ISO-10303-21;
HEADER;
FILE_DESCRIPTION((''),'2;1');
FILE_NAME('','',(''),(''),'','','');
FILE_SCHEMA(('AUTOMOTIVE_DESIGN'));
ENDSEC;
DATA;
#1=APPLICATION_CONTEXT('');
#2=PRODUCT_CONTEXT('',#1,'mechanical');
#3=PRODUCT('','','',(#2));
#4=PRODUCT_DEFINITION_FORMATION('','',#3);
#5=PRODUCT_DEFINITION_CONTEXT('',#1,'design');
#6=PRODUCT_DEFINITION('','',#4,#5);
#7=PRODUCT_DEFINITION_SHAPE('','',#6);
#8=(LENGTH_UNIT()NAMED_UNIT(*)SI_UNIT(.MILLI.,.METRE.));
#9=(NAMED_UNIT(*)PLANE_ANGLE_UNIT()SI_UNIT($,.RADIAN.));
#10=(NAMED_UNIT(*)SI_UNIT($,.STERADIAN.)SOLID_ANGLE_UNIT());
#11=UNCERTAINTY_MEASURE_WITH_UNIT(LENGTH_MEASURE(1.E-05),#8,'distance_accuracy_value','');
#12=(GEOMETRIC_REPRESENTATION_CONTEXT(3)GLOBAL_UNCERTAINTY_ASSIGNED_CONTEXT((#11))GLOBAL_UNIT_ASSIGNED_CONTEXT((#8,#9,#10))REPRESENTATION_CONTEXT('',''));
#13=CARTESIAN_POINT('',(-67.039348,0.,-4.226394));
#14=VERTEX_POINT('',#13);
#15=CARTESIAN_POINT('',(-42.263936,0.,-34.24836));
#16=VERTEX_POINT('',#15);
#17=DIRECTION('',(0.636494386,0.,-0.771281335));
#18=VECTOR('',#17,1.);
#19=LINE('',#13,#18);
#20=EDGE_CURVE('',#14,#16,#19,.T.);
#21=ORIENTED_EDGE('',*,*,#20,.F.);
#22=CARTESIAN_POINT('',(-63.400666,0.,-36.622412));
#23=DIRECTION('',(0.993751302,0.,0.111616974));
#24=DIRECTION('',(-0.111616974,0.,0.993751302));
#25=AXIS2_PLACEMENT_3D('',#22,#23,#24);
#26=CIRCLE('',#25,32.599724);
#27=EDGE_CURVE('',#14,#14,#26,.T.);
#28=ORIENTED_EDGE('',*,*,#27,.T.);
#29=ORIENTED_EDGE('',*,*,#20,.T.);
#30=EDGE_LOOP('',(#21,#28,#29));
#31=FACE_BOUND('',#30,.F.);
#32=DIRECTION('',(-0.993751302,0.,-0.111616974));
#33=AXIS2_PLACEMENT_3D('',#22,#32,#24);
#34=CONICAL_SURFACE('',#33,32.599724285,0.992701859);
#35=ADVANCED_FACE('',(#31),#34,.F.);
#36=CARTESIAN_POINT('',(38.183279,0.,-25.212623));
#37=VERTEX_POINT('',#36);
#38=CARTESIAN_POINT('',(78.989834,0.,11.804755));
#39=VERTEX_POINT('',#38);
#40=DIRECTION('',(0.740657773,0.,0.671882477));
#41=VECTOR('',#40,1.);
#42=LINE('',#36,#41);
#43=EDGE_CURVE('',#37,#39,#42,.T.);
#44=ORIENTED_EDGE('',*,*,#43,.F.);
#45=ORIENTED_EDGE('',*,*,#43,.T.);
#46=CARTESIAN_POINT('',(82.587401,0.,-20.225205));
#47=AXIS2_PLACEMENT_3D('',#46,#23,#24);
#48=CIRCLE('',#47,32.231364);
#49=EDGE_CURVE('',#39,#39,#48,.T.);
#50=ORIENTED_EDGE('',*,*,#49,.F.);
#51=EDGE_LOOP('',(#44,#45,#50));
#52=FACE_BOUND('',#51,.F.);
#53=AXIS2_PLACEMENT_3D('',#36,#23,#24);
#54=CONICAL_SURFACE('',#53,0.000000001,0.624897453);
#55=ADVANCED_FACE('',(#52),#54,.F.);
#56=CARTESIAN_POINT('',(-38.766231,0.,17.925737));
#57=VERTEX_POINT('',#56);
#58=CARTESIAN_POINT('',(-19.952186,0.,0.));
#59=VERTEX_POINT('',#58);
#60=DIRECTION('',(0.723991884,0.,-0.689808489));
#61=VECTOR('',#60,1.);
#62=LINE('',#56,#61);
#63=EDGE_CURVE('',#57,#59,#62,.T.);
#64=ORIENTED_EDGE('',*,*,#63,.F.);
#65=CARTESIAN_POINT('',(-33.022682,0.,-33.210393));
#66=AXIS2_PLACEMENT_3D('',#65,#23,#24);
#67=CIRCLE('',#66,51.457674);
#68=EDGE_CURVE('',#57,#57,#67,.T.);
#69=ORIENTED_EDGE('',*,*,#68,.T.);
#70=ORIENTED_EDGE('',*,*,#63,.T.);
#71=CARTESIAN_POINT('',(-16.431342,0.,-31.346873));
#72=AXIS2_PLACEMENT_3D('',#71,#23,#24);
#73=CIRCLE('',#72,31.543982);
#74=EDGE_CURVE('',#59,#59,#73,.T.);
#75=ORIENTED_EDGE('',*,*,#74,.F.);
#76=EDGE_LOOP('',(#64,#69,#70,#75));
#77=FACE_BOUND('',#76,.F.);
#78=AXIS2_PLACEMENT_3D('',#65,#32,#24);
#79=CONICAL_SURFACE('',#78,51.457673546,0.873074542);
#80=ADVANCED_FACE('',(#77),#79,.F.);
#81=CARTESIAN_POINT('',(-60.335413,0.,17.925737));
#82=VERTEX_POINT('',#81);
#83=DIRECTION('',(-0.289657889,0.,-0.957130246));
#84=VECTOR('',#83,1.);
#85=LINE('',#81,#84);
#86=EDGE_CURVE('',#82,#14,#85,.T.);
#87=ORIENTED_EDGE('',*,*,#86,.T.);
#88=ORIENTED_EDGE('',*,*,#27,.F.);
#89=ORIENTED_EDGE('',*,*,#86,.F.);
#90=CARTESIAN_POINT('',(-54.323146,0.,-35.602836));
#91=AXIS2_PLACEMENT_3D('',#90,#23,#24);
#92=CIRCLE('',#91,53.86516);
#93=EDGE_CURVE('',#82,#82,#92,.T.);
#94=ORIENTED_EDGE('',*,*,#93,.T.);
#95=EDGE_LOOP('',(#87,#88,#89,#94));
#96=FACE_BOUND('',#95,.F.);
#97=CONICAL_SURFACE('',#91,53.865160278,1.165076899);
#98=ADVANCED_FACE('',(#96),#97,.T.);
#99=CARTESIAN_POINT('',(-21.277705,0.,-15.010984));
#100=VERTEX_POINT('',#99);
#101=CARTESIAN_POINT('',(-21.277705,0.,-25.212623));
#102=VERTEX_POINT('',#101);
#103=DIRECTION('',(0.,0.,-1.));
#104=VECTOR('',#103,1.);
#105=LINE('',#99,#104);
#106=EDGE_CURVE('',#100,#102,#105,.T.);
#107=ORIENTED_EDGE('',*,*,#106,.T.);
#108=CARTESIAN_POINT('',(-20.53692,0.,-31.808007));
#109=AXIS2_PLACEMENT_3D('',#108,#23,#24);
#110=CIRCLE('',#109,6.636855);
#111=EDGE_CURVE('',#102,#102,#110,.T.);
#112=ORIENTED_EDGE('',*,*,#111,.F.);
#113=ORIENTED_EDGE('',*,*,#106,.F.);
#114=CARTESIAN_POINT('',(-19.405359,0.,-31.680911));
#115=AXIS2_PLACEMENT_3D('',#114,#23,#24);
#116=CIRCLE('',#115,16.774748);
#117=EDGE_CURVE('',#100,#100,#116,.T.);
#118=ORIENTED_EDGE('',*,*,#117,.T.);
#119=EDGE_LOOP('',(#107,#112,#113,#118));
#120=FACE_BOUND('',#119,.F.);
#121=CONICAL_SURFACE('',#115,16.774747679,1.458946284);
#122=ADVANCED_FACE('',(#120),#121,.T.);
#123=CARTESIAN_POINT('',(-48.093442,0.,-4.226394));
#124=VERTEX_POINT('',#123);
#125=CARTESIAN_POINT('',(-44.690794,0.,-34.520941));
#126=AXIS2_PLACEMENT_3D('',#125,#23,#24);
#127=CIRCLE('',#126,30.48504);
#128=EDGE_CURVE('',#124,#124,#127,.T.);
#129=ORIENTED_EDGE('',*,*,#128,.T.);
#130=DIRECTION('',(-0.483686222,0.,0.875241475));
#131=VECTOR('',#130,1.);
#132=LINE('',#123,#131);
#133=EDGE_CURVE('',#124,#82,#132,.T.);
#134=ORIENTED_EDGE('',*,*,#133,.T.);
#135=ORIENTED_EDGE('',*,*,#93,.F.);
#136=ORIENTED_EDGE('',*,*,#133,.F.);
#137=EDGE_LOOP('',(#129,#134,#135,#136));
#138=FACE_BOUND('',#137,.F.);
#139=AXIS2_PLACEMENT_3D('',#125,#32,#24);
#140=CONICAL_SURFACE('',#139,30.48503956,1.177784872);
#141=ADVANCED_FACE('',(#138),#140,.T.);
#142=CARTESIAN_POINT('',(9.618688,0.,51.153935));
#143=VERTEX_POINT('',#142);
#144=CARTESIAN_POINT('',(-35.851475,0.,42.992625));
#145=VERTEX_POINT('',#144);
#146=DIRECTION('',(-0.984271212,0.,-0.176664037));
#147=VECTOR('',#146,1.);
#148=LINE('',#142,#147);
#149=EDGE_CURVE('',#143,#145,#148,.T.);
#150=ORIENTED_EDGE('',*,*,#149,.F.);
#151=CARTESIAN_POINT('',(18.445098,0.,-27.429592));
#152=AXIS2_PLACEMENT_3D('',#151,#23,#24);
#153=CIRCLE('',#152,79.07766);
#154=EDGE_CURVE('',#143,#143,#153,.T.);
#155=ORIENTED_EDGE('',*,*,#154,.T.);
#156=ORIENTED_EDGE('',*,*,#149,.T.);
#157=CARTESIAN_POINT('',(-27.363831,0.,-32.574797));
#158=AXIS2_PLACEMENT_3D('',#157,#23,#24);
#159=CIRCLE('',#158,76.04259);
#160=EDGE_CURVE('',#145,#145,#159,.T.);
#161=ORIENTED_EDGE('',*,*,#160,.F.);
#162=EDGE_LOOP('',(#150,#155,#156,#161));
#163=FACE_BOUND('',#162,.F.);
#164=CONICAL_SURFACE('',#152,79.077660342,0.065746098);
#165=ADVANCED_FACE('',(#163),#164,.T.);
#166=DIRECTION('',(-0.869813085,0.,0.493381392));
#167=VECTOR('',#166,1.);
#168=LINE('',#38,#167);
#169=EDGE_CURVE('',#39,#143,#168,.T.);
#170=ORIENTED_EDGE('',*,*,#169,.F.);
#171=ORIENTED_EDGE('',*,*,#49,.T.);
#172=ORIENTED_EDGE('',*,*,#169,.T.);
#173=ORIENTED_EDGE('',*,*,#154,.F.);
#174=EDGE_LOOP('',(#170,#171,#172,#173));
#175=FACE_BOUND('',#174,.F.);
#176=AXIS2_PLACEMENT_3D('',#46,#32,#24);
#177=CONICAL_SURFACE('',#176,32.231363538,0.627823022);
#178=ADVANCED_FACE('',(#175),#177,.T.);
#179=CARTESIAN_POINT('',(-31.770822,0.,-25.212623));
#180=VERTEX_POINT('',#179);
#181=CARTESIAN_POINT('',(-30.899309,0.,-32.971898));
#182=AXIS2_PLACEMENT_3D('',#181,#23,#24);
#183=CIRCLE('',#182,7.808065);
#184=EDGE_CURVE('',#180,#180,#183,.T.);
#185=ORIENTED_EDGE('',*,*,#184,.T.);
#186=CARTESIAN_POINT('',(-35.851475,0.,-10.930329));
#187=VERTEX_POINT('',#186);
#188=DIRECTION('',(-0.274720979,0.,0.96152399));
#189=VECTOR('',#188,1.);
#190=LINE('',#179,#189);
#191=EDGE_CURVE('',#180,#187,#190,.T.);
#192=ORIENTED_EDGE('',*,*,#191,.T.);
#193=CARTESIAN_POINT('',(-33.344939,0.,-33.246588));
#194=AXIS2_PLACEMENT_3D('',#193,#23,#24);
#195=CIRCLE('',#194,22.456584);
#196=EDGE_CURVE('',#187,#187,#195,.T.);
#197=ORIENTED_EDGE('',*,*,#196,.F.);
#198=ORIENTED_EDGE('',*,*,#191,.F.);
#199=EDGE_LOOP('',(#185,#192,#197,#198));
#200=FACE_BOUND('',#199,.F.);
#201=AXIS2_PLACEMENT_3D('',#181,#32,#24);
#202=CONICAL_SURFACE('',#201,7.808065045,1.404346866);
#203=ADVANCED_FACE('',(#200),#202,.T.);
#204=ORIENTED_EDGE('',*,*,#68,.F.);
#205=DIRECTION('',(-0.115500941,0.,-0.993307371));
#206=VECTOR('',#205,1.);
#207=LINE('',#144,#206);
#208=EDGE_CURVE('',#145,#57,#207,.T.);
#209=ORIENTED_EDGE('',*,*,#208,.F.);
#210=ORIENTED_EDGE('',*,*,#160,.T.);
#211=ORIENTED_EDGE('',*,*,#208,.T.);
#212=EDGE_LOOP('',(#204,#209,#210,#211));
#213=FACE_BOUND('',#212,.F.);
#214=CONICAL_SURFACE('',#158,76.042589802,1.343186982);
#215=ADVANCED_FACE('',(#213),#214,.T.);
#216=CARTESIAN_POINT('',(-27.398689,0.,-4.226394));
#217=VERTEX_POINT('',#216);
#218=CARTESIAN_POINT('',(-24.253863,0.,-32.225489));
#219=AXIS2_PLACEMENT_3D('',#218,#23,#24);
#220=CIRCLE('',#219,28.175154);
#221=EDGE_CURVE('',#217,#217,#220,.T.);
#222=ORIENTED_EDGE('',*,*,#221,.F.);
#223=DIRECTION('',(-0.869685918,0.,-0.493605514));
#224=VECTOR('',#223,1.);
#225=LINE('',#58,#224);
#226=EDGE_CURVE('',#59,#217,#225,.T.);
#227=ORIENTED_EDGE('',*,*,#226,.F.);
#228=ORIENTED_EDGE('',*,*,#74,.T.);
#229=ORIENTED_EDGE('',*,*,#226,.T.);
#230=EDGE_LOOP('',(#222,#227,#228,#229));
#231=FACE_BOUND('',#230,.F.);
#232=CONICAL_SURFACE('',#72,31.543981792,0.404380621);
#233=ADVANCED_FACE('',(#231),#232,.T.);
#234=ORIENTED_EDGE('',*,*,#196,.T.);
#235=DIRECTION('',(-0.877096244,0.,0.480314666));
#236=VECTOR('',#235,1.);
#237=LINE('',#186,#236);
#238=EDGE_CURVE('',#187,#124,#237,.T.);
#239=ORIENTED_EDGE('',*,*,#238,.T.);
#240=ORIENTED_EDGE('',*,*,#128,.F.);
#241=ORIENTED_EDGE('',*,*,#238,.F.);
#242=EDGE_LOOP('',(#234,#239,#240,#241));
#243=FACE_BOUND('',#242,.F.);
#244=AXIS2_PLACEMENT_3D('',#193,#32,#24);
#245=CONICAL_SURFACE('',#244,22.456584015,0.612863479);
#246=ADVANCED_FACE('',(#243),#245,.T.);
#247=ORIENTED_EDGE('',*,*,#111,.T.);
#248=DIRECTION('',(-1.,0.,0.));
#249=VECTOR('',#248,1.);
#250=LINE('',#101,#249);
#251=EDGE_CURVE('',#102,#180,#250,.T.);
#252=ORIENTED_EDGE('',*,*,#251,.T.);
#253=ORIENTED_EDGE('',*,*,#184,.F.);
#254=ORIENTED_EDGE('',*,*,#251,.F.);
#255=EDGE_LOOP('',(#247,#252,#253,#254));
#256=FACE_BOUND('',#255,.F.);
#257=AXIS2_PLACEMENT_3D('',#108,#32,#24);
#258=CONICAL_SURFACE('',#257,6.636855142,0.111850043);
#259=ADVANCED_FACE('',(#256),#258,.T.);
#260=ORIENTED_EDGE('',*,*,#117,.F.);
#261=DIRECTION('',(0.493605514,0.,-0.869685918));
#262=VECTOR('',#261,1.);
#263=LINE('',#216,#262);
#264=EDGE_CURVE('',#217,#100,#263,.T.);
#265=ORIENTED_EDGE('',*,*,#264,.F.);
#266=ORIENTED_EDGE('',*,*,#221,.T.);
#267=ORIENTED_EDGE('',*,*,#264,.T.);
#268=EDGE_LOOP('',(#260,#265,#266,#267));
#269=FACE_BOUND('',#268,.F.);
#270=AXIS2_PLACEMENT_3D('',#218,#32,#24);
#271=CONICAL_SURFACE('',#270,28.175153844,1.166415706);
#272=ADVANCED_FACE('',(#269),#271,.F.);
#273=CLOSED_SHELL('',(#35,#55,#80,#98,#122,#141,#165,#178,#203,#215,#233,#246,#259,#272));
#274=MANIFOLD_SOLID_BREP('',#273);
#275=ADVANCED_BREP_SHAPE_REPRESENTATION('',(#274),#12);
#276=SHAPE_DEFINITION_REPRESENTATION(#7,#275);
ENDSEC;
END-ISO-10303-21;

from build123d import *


with BuildPart() as f1:
    # F0 (on Front) → F1 (revolve)
    with BuildSketch(Plane.XZ):
        Polygon((-67.0393481851, -4.226393532), (-42.2639362514, -34.2483595014), (38.1832793355, -25.212623179), (-13.1163932383, 31.6250808537), (-35.8514748514, 42.9926253855), (-38.7662313879, 17.9257374257), (-19.9521857218, 0), (-27.3986887187, -4.226393532), (-21.2777052075, -15.0109836832), (-21.2777052075, -25.212623179), (-31.7708216608, -25.212623179), (-35.8514748514, -10.9303286299), (-48.0934418738, -4.226393532), (-60.3354126215, 17.9257374257), align=None)
        Polygon((-13.1163932383, 31.6250808537), (38.1832793355, -25.212623179), (78.9898335934, 11.8047548458), (9.6186883748, 51.153935492), (-35.8514748514, 42.9926253855), align=None)
    revolve(axis=Axis((-2.040328458, 0, -29.7304913402), (0.9937513025, 0, 0.1116169736)))


solid = f1.part
